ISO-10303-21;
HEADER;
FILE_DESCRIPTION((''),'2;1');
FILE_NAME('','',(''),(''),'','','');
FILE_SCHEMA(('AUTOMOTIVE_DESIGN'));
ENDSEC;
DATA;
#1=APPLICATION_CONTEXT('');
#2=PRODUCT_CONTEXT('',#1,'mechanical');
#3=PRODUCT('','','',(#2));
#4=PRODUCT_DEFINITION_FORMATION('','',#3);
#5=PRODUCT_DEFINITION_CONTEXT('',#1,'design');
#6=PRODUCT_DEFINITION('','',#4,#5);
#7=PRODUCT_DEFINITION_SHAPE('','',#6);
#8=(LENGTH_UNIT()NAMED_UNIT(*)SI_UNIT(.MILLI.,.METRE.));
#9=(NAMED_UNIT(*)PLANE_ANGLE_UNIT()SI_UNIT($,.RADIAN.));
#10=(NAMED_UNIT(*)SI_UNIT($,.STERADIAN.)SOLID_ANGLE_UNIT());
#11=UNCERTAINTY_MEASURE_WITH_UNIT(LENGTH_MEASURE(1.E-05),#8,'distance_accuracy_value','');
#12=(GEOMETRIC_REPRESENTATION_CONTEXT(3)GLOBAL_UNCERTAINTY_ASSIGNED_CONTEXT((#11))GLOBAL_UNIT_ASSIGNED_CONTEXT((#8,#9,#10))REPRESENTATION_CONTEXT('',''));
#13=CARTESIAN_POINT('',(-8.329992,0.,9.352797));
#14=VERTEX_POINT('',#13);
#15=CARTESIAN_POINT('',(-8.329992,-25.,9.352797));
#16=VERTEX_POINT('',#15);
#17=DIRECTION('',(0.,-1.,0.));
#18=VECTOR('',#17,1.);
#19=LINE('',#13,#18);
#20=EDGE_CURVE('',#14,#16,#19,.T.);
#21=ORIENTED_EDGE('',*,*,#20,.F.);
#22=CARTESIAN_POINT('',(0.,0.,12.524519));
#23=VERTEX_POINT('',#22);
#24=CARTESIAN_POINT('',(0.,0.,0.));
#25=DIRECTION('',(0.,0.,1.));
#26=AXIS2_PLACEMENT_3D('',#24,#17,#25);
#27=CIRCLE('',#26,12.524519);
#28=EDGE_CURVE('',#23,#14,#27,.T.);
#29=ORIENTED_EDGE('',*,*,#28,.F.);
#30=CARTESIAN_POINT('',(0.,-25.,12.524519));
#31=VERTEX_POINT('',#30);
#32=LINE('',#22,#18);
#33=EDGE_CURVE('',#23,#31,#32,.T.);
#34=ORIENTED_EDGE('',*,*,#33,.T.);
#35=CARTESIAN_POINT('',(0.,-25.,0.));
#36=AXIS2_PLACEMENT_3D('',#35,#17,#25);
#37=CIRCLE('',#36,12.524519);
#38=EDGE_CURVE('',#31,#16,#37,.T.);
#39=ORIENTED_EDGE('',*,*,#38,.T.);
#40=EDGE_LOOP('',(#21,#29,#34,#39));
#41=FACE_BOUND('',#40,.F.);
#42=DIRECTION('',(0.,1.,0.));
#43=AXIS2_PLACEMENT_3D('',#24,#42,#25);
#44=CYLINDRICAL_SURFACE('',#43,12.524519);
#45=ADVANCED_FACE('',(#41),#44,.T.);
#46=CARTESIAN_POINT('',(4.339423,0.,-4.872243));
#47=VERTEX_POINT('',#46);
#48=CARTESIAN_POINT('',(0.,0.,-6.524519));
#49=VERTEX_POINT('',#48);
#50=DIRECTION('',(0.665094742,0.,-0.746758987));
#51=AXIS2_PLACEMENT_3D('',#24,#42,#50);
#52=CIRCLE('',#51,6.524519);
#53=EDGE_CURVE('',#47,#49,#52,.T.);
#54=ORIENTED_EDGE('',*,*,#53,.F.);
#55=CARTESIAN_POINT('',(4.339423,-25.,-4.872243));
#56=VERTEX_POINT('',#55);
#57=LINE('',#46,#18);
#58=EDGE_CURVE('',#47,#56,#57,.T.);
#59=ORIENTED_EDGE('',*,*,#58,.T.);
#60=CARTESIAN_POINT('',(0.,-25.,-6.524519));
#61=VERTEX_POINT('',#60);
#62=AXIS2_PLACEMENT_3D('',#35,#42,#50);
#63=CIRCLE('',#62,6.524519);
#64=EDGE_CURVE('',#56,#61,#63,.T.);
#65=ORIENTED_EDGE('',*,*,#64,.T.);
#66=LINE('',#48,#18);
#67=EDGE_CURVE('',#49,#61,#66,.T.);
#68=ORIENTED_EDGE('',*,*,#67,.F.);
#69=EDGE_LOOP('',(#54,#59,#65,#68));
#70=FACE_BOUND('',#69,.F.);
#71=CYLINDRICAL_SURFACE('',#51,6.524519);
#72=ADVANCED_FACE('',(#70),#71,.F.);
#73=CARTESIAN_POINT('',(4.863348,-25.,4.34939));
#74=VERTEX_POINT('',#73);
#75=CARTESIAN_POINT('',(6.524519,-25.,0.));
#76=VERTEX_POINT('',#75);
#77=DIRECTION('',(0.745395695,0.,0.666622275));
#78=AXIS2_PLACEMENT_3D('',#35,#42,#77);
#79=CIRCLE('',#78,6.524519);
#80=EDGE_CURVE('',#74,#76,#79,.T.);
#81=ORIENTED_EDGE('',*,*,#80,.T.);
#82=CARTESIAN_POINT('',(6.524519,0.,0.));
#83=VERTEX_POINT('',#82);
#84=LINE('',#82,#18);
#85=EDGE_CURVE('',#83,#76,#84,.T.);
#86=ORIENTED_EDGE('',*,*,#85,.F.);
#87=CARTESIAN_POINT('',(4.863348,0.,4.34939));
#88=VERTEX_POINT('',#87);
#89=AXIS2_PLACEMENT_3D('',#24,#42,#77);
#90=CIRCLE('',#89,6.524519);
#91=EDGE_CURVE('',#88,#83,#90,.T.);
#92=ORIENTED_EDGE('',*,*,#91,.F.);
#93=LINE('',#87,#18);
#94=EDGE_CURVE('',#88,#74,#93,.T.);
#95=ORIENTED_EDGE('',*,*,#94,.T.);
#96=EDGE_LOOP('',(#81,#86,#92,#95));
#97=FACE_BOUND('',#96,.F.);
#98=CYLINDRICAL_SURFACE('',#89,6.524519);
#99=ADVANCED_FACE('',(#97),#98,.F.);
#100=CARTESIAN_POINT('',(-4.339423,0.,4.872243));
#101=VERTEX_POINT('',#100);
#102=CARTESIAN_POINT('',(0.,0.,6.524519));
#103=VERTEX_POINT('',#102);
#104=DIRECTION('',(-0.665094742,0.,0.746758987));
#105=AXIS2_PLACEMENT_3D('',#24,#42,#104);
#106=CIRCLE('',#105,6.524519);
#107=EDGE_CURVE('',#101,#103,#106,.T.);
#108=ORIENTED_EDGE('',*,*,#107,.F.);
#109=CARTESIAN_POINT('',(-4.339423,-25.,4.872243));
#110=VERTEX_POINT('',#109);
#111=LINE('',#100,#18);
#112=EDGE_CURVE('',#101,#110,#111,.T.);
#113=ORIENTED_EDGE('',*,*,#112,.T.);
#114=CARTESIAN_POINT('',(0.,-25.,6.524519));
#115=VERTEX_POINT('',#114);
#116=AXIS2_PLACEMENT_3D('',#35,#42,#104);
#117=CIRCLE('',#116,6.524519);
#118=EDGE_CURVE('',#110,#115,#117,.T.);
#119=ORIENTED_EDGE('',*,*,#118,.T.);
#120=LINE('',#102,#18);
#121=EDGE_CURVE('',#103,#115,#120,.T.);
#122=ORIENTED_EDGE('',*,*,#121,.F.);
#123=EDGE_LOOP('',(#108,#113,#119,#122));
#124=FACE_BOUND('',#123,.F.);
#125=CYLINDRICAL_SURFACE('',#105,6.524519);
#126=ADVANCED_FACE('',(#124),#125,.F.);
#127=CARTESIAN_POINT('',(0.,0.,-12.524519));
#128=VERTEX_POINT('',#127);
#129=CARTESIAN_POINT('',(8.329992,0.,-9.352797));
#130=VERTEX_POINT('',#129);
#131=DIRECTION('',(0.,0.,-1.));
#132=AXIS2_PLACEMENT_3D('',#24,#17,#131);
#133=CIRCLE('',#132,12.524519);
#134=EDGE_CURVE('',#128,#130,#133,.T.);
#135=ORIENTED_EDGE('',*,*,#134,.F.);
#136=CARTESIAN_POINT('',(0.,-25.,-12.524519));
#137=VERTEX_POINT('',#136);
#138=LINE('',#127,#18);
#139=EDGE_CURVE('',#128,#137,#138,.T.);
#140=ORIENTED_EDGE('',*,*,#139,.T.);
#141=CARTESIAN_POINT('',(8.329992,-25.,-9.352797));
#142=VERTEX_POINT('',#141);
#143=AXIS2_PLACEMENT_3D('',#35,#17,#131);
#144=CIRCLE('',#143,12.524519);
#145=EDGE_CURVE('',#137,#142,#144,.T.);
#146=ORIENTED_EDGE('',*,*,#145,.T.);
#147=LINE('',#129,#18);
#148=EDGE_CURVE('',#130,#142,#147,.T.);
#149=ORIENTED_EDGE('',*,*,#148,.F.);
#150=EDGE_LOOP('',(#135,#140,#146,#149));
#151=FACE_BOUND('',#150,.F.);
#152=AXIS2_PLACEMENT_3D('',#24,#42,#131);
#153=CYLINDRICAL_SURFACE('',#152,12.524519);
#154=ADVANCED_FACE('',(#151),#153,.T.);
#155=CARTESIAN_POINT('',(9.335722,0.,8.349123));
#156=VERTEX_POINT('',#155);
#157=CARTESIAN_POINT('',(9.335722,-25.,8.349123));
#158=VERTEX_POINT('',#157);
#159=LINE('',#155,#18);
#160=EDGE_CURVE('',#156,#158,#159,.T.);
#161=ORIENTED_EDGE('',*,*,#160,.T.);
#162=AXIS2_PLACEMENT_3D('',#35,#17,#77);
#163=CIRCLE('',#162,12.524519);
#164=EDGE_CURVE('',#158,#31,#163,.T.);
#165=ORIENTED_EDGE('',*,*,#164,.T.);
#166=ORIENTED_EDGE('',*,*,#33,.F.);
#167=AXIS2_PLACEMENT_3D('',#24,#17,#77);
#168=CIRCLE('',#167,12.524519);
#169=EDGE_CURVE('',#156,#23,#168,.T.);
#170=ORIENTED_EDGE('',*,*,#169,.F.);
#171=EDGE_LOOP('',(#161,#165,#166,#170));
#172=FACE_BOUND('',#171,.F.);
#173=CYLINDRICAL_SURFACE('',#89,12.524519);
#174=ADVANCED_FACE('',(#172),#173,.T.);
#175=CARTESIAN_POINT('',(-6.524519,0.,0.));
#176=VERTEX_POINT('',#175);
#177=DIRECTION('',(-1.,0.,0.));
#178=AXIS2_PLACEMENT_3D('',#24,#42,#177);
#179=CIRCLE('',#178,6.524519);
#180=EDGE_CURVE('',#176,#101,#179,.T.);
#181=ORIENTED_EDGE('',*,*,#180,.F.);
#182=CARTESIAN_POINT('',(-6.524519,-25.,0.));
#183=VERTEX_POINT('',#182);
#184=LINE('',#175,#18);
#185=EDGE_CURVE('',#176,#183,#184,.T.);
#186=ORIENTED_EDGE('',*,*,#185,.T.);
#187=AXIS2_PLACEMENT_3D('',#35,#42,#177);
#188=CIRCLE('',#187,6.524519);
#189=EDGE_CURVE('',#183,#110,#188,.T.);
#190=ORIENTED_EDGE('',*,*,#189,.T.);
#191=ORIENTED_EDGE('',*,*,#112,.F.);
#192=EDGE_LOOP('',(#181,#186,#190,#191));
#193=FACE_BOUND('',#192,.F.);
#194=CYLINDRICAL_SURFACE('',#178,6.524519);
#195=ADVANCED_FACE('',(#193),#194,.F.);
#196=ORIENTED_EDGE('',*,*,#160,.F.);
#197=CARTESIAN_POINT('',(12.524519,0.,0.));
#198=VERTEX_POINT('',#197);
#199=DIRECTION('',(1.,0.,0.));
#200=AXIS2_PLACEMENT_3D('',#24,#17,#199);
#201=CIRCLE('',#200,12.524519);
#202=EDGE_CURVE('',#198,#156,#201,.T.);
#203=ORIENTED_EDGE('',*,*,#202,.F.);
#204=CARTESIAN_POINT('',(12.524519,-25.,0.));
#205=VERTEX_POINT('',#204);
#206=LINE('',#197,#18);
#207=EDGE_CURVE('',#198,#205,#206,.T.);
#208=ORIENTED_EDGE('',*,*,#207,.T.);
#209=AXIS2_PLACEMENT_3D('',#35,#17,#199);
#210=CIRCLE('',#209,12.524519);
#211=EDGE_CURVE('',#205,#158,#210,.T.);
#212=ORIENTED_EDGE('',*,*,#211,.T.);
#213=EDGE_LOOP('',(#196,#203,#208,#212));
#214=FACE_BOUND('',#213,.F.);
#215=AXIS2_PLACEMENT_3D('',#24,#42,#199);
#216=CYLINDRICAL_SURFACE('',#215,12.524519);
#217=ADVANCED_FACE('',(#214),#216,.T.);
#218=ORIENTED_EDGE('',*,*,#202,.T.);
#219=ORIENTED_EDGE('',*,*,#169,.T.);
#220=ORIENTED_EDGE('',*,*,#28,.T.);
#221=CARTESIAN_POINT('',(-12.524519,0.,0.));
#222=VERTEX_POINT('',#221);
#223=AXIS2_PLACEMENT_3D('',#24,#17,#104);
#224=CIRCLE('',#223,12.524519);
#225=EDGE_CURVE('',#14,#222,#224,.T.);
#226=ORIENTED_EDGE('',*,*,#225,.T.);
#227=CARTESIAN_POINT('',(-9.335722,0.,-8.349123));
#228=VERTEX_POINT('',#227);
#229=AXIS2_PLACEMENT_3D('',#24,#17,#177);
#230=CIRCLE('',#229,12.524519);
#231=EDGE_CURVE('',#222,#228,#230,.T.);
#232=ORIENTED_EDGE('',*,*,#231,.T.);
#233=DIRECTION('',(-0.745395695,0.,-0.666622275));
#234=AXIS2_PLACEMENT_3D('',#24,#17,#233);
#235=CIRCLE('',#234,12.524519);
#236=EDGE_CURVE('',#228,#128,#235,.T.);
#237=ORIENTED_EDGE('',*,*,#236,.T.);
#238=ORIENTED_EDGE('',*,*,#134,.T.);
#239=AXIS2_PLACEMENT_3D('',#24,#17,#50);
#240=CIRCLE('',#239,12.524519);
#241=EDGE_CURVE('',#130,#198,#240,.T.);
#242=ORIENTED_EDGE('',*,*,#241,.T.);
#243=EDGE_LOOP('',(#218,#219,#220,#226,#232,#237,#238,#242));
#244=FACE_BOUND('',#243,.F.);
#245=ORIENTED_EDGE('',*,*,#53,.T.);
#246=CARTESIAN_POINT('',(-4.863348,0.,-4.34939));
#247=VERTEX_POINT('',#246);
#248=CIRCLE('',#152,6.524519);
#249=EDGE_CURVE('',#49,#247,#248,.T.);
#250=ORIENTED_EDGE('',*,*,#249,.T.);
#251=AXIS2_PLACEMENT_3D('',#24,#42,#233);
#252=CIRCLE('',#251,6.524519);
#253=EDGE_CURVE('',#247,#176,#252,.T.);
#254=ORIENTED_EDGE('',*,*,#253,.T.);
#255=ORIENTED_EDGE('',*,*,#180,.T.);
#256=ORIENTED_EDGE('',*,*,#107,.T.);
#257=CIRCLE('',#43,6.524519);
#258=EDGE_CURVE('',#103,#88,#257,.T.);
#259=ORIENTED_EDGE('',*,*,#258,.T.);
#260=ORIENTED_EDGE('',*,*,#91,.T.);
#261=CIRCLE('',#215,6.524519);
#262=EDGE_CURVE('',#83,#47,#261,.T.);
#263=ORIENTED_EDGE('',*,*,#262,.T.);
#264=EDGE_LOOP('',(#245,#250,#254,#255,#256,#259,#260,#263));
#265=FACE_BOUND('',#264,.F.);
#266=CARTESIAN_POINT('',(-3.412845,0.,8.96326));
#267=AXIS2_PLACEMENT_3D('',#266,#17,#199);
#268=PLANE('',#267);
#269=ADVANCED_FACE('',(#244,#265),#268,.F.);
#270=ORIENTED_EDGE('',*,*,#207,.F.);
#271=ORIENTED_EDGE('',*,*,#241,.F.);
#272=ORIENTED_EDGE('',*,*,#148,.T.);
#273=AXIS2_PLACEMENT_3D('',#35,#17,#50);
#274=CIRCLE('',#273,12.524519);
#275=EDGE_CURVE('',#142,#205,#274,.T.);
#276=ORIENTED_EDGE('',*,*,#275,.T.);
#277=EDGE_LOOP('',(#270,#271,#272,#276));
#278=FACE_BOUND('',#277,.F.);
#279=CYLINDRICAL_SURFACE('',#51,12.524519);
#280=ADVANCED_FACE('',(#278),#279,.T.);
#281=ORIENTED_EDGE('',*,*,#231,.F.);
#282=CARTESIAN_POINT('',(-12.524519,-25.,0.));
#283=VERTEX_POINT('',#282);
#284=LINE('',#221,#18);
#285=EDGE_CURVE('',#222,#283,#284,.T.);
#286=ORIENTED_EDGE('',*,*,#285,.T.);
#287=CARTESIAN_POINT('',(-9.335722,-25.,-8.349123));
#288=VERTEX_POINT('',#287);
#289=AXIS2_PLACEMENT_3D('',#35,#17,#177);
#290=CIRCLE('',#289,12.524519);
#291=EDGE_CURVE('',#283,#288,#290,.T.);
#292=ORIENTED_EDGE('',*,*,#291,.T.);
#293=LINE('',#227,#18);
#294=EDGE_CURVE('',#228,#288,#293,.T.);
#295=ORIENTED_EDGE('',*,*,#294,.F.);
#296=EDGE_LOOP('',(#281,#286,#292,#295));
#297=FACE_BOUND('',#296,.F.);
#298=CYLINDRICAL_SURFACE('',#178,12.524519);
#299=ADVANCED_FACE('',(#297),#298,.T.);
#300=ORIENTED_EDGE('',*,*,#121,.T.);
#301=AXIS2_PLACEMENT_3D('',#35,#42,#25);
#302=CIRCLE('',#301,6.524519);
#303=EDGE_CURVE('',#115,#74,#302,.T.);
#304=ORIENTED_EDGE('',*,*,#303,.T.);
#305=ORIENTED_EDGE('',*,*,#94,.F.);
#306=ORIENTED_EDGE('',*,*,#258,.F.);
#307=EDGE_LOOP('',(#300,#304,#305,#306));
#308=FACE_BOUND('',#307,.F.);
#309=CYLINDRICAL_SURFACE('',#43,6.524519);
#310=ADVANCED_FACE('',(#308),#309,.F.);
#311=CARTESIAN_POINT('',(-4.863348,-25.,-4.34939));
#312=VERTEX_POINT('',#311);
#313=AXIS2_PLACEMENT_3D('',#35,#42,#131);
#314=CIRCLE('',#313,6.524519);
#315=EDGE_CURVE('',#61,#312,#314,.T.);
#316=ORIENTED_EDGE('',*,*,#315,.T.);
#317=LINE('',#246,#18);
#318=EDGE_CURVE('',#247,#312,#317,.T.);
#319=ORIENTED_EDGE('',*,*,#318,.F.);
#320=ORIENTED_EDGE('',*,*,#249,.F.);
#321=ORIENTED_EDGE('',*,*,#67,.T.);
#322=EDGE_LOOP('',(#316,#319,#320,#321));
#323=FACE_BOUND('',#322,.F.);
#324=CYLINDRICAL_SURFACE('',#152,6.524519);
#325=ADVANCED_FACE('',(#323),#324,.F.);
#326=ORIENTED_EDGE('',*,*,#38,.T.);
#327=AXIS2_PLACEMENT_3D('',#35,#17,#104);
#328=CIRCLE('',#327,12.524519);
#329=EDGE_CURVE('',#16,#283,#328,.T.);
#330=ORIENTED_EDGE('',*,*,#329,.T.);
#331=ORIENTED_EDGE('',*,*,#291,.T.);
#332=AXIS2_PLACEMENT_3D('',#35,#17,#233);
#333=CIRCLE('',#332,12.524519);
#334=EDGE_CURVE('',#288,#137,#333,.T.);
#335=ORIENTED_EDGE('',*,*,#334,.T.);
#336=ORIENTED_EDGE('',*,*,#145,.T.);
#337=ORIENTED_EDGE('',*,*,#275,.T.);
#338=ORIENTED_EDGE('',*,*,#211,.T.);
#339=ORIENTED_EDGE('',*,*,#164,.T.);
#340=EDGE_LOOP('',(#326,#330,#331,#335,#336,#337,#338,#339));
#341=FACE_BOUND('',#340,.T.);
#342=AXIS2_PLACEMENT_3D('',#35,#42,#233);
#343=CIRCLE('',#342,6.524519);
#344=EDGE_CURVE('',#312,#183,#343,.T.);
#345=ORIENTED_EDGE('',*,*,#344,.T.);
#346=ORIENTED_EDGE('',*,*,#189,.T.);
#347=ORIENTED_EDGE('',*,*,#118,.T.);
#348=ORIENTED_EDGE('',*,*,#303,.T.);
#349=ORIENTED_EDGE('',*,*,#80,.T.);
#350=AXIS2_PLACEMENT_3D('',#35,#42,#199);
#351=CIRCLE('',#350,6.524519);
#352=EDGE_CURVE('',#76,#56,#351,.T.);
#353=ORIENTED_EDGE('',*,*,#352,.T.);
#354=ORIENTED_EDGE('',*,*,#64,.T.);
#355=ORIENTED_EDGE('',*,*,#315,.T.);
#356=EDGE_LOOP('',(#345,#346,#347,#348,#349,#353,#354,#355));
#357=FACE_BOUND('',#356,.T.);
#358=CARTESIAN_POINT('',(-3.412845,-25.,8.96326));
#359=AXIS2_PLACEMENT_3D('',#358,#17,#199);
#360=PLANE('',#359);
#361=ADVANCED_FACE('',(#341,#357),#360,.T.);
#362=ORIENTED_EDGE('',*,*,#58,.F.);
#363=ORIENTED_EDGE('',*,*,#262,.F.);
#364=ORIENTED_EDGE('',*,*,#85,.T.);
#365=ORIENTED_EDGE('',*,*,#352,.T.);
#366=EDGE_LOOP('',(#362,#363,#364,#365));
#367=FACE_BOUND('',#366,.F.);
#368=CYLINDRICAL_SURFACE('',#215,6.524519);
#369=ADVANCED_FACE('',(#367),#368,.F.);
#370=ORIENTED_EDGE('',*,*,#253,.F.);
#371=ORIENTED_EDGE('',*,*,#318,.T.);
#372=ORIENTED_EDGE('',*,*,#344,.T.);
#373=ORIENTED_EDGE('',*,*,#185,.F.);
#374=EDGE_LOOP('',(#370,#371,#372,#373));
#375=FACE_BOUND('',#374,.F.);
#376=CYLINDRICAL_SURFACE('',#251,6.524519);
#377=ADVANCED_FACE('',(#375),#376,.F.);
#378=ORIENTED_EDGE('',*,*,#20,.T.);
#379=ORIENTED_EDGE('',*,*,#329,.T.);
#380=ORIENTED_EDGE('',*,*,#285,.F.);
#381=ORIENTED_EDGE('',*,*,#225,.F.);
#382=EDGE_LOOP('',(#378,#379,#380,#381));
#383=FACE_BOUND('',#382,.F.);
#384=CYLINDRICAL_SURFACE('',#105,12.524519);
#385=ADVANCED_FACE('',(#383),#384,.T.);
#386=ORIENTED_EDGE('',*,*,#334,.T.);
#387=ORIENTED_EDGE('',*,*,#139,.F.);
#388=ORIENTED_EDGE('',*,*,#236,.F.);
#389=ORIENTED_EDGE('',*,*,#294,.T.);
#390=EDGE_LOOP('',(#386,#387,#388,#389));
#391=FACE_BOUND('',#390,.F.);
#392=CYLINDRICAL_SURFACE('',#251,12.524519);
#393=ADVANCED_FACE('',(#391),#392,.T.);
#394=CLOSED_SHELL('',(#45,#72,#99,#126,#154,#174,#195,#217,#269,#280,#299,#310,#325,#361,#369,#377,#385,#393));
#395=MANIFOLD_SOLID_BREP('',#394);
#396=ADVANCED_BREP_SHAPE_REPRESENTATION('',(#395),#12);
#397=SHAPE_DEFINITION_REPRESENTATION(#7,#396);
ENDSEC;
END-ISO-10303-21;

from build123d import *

# Parameters (mm, degrees)
F1_DEPTH = 25


with BuildPart() as f1:
    # F0 (on Front) → F1 (new body)
    with BuildSketch(Plane.XZ):
        with BuildLine():
            ThreePointArc((-4.3394231509, 4.8722430533), (-2.3216701125, 6.0974743576), (0, 6.5245188062))
            Line((0, 6.5245188062), (0, 12.5245188062))
            ThreePointArc((0, 12.5245188062), (-4.4566966316, 11.7047608459), (-8.3299916017, 9.3527969743))
            Line((-8.3299916017, 9.3527969743), (-4.3394231509, 4.8722430533))
        make_face()
        with BuildLine():
            Line((-12.5245188062, 0), (-6.5245188062, 0))
            ThreePointArc((-6.5245188062, 0), (-5.9532341466, 2.6698967861), (-4.3394231509, 4.8722430533))
            Line((-4.3394231509, 4.8722430533), (-8.3299916017, 9.3527969743))
            ThreePointArc((-8.3299916017, 9.3527969743), (-11.4278761762, 5.1251553564), (-12.5245188062, 0))
        make_face()
        with BuildLine():
            ThreePointArc((-4.8633482309, -4.3493895707), (-6.0950944474, -2.3279109368), (-6.5245188062, 0))
            Line((-6.5245188062, 0), (-12.5245188062, 0))
            ThreePointArc((-12.5245188062, 0), (-11.7001923513, -4.468676568), (-9.3357224016, -8.3491232214))
            Line((-9.3357224016, -8.3491232214), (-4.8633482309, -4.3493895707))
        make_face()
        with BuildLine():
            Line((0, -12.5245188062), (0, -6.5245188062))
            ThreePointArc((0, -6.5245188062), (-2.6638010064, -5.9559642251), (-4.8633482309, -4.3493895707))
            Line((-4.8633482309, -4.3493895707), (-9.3357224016, -8.3491232214))
            ThreePointArc((-9.3357224016, -8.3491232214), (-5.1134538487, -11.4331168569), (0, -12.5245188062))
        make_face()
        with BuildLine():
            Line((8.3299916017, -9.3527969743), (4.3394231509, -4.8722430533))
            ThreePointArc((4.3394231509, -4.8722430533), (2.3216701125, -6.0974743576), (0, -6.5245188062))
            Line((0, -6.5245188062), (0, -12.5245188062))
            ThreePointArc((0, -12.5245188062), (4.4566966316, -11.7047608459), (8.3299916017, -9.3527969743))
        make_face()
        with BuildLine():
            ThreePointArc((4.8633482309, 4.3493895707), (6.0950944474, 2.3279109368), (6.5245188062, 0))
            Line((6.5245188062, 0), (12.5245188062, 0))
            ThreePointArc((12.5245188062, 0), (11.7001923513, 4.468676568), (9.3357224016, 8.3491232214))
            Line((9.3357224016, 8.3491232214), (4.8633482309, 4.3493895707))
        make_face()
        with BuildLine():
            ThreePointArc((0, 6.5245188062), (2.6638010064, 5.9559642251), (4.8633482309, 4.3493895707))
            Line((4.8633482309, 4.3493895707), (9.3357224016, 8.3491232214))
            ThreePointArc((9.3357224016, 8.3491232214), (5.1134538487, 11.4331168569), (0, 12.5245188062))
            Line((0, 12.5245188062), (0, 6.5245188062))
        make_face()
        with BuildLine():
            Line((12.5245188062, 0), (6.5245188062, 0))
            ThreePointArc((6.5245188062, 0), (5.9532341466, -2.6698967861), (4.3394231509, -4.8722430533))
            Line((4.3394231509, -4.8722430533), (8.3299916017, -9.3527969743))
            ThreePointArc((8.3299916017, -9.3527969743), (11.4278761762, -5.1251553564), (12.5245188062, 0))
        make_face()
    extrude(amount=F1_DEPTH)


solid = f1.part
